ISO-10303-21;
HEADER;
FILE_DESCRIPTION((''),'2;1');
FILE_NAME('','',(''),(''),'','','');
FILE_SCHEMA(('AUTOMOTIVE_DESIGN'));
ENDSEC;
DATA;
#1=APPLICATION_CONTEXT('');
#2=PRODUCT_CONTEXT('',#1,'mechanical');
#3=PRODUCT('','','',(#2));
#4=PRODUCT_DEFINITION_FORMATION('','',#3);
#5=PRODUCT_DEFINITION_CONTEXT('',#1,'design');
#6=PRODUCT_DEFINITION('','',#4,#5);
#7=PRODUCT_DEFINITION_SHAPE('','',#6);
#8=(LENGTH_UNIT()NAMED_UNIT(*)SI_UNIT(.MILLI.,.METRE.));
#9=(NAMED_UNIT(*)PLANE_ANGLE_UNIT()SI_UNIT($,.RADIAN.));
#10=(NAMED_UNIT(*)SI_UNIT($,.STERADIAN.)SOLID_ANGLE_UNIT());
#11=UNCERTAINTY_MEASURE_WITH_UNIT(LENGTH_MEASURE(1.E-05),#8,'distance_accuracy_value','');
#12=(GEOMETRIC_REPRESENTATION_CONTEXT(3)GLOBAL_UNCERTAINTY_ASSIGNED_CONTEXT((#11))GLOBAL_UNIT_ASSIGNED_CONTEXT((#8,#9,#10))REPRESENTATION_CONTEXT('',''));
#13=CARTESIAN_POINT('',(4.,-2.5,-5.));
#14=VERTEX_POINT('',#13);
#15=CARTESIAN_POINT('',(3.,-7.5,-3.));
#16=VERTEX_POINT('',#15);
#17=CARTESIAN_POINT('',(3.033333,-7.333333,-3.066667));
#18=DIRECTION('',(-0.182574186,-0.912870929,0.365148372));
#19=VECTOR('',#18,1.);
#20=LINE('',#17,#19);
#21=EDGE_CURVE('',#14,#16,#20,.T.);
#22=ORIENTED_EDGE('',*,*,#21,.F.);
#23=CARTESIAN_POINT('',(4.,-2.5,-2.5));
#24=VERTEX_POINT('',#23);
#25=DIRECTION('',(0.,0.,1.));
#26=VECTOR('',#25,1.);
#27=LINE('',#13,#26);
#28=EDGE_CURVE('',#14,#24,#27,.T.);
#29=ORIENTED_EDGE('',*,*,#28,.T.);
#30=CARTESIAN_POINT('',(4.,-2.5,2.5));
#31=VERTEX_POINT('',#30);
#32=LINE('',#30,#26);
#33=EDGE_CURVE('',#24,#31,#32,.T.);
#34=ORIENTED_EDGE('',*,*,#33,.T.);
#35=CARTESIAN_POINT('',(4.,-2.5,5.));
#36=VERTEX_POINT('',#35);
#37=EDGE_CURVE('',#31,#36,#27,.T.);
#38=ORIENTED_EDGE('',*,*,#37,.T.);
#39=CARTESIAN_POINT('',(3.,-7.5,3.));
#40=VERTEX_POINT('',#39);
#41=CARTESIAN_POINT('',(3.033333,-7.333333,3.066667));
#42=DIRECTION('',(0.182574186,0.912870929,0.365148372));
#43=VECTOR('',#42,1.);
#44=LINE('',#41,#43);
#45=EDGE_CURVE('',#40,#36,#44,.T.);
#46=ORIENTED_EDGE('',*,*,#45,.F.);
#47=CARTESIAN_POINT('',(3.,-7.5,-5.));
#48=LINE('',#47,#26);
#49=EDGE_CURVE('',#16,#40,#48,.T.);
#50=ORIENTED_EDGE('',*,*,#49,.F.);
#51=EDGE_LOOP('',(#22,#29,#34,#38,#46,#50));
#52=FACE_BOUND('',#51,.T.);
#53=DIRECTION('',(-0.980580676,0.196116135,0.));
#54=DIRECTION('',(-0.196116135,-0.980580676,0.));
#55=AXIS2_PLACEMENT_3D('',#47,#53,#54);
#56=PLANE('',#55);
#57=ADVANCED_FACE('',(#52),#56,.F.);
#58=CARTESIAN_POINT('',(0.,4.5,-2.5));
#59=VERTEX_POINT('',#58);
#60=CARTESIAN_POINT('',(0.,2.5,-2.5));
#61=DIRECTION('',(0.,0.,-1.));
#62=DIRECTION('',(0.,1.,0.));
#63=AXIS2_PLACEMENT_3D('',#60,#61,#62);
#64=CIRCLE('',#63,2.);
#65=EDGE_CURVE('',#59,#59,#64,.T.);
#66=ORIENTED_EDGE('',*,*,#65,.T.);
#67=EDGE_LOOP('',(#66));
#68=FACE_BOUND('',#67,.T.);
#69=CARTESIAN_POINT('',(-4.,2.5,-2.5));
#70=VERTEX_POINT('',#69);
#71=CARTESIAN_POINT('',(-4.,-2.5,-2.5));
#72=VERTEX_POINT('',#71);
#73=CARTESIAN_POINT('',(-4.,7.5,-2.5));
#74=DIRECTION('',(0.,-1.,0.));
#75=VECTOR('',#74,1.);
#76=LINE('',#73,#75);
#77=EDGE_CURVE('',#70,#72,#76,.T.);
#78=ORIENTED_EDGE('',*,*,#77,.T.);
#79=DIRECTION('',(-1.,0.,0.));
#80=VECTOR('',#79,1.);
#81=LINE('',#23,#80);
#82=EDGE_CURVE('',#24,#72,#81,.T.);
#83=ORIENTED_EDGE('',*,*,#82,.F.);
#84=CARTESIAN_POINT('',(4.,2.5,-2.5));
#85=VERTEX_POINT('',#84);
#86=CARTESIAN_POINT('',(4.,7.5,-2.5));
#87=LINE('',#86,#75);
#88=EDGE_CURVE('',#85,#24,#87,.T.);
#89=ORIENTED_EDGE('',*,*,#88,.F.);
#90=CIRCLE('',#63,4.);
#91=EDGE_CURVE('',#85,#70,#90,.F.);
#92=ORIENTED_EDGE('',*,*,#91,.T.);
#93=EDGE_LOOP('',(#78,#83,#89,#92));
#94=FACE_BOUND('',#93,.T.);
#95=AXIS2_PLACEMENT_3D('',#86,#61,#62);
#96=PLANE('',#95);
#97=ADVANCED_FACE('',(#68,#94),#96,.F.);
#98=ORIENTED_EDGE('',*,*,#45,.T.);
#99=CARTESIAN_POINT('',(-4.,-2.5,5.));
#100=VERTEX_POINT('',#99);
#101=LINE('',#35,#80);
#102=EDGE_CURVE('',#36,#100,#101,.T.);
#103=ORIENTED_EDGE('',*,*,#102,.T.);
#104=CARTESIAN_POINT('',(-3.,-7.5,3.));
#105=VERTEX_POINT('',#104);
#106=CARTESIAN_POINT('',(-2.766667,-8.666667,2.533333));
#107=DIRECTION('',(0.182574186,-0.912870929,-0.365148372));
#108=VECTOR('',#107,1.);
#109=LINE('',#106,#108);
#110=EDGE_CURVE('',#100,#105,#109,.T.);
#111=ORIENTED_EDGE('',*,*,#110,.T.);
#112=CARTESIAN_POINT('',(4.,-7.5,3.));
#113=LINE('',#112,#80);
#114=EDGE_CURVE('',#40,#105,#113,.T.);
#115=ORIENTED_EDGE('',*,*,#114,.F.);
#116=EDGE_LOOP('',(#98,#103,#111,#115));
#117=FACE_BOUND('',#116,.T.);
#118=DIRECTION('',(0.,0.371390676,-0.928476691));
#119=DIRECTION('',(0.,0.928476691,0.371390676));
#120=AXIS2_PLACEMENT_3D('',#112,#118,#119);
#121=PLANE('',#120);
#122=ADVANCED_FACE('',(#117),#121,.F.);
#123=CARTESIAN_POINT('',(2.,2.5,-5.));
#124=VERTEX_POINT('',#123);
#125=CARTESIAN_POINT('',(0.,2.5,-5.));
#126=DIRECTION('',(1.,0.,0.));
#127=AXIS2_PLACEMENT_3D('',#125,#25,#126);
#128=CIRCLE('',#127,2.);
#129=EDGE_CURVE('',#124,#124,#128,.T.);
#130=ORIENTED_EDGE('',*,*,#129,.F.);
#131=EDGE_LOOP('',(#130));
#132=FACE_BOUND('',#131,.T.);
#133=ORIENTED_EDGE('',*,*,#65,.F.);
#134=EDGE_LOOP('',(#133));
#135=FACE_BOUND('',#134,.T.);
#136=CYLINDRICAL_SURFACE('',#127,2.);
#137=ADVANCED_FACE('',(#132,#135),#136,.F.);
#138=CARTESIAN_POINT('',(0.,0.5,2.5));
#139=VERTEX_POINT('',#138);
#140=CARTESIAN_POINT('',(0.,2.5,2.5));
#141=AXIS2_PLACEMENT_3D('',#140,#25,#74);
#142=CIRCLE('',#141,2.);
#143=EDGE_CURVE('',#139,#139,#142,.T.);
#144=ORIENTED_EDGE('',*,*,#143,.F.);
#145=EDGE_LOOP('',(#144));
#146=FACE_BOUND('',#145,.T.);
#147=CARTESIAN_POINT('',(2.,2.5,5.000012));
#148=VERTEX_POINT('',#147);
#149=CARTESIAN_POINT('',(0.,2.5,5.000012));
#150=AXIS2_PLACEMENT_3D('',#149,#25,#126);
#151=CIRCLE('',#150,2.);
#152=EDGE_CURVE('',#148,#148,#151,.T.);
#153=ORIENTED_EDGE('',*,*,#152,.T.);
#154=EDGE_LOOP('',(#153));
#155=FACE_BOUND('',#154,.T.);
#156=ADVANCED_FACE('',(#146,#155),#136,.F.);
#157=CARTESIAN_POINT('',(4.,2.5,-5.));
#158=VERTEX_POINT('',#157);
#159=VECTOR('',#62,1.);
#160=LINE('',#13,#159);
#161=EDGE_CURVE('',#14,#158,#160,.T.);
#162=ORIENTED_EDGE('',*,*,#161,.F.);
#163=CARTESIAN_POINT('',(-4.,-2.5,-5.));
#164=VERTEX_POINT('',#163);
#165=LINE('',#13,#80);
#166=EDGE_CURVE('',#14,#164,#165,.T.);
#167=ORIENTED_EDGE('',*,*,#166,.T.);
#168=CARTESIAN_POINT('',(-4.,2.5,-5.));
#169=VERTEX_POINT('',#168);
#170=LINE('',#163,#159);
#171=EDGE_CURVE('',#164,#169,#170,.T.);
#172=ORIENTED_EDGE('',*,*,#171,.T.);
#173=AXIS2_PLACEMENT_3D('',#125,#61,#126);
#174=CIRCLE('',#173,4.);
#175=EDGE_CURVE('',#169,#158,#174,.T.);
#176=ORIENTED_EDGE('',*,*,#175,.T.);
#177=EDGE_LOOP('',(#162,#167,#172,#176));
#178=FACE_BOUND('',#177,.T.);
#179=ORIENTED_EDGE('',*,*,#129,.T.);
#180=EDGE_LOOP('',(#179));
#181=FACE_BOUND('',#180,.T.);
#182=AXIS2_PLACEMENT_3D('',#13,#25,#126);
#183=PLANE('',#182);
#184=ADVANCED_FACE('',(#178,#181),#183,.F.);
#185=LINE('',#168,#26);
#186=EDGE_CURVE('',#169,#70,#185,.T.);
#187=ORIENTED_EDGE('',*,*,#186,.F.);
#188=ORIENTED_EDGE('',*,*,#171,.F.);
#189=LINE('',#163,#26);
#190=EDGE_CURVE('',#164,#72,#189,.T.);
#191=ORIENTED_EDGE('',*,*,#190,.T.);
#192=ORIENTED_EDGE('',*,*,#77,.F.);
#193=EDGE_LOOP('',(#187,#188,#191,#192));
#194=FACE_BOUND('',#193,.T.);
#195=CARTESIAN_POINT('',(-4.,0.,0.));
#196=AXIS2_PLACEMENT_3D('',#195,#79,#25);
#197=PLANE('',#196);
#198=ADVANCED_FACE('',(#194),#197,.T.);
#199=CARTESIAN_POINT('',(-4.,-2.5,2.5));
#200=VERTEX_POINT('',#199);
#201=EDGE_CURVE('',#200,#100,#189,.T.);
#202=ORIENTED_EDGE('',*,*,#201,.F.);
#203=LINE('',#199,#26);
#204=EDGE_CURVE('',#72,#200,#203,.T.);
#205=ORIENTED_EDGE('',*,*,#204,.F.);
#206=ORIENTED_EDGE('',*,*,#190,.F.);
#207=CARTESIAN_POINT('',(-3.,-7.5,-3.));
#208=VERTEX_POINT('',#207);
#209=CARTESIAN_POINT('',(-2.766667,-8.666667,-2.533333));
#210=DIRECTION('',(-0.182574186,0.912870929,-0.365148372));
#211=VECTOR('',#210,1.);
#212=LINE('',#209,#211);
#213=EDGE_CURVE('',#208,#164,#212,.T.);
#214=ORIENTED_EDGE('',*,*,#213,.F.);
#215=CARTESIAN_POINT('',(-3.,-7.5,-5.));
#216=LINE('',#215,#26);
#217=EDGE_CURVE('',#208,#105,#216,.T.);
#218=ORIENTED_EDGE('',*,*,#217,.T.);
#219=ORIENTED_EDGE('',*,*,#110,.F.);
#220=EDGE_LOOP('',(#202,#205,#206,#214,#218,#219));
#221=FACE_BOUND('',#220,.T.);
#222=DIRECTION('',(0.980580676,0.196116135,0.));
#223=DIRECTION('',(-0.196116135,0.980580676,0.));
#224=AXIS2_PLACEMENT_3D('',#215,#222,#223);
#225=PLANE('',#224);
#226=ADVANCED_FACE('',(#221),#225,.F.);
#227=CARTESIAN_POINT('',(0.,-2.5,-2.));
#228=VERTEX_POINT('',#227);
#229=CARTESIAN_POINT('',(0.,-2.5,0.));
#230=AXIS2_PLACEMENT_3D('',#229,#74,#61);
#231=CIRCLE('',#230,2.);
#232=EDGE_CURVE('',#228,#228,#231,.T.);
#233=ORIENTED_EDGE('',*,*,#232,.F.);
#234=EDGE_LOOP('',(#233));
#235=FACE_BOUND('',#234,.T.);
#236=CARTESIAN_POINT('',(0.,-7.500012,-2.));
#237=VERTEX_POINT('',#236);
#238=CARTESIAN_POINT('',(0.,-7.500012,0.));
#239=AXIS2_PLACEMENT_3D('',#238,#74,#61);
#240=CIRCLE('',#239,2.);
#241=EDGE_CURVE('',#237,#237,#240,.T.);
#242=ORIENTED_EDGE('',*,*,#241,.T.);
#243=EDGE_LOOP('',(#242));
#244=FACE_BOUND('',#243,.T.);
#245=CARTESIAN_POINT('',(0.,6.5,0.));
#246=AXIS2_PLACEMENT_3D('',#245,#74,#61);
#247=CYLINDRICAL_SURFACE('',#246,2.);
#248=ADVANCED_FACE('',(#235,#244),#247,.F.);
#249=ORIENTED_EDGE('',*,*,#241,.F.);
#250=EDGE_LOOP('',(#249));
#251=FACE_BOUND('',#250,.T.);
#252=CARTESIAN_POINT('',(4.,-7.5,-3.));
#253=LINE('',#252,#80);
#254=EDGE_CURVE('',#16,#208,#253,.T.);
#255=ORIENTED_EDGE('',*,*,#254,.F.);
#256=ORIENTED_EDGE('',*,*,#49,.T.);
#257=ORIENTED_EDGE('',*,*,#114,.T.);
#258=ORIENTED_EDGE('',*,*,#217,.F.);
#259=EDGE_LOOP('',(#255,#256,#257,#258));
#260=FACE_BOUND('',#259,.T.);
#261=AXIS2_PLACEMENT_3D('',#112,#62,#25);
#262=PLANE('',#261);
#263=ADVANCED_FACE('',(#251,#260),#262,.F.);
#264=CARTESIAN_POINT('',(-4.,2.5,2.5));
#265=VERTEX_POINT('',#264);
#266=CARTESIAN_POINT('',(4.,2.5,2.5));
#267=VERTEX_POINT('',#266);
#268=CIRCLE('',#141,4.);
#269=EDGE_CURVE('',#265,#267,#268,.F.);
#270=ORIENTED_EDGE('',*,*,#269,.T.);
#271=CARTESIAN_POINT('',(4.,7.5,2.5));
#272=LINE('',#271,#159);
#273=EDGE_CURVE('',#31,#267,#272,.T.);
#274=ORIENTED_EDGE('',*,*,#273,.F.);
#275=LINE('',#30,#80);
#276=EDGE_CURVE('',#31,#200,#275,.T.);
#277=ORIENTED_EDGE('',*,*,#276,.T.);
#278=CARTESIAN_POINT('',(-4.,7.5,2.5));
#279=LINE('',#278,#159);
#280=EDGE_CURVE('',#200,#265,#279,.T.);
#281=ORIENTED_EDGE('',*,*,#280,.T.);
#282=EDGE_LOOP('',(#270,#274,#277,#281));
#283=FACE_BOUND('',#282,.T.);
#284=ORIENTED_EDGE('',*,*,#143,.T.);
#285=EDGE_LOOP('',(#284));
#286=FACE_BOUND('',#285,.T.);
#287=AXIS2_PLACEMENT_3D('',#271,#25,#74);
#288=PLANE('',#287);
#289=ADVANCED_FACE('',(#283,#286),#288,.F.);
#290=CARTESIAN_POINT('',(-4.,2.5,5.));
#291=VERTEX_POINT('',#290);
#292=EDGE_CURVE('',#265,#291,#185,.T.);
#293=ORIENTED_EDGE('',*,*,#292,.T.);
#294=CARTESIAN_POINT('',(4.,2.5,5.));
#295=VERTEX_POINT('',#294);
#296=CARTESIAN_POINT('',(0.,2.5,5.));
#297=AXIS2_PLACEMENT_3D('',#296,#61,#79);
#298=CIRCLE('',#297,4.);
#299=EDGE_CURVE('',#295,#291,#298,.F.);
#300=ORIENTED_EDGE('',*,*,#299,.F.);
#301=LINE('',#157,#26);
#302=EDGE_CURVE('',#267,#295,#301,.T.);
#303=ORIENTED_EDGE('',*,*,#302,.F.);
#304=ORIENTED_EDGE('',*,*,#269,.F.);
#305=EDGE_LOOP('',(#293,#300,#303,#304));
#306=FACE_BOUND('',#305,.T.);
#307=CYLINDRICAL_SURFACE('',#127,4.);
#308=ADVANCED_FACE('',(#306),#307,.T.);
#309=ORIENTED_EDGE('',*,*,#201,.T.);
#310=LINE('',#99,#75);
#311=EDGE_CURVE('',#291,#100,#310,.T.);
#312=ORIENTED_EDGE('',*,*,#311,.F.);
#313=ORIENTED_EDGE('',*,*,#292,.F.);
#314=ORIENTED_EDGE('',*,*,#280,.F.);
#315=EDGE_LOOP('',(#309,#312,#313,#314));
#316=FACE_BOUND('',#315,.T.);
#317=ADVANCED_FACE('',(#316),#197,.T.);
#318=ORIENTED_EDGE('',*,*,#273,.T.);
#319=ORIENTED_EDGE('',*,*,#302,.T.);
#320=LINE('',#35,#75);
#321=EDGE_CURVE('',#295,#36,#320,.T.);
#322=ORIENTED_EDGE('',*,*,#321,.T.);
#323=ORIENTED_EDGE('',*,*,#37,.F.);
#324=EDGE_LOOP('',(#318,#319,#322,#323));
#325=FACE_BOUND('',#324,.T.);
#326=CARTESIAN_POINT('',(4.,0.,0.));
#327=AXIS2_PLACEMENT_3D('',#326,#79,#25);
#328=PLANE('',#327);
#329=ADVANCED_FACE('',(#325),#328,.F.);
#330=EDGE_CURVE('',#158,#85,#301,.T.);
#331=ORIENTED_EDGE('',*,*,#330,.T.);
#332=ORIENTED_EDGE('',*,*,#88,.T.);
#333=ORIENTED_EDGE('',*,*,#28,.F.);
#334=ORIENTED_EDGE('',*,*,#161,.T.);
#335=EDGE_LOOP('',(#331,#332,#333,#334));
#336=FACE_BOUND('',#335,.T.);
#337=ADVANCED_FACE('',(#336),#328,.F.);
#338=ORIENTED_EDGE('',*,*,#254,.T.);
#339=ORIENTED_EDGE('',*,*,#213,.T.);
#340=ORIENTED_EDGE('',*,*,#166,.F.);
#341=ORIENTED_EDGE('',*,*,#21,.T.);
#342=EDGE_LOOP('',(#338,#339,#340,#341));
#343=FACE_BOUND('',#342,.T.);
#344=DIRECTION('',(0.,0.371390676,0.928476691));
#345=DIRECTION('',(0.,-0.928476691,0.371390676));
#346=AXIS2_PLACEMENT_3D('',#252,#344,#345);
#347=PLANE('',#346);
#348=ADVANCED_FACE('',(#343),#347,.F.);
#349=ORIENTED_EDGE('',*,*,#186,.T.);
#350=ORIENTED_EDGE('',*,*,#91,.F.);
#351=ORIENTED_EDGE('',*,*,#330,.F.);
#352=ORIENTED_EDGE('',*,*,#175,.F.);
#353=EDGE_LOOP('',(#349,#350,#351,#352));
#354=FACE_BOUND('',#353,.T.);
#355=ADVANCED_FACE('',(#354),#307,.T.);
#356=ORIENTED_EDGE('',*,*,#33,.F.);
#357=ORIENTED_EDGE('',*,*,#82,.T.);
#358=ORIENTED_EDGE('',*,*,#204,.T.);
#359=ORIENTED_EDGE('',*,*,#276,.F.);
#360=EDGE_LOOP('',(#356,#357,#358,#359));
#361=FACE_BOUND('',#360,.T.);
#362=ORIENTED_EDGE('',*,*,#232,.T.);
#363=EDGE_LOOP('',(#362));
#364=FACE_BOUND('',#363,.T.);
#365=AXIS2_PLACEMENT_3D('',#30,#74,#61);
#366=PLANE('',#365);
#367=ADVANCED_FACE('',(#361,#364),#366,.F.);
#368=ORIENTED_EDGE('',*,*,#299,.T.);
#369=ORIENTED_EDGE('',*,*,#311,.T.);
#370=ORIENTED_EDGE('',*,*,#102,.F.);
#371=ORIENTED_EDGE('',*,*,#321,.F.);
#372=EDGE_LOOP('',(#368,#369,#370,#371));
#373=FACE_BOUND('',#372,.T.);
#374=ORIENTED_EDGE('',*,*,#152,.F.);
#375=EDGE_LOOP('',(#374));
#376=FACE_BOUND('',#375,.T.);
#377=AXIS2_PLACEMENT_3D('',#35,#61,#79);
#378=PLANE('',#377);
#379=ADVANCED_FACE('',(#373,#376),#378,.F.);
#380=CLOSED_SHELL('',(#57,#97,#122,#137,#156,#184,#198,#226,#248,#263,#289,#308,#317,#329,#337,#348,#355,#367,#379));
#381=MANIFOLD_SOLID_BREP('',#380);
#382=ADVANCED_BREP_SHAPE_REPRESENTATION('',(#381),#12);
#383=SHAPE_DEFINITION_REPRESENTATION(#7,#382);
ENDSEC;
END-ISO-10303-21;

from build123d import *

# Parameters (mm, degrees)
BOSS_EXTRUDE1_DEPTH     = 4
CUT_EXTRUDE1_DEPTH      = 14.124404748
CUT_EXTRUDE1_DEPTH_BACK = 14.124404748
SKETCH2_R               = 2
CUT_EXTRUDE2_DEPTH      = 14.124404748
CUT_EXTRUDE2_DEPTH_BACK = 14.124404748
CUT_EXTRUDE3_DEPTH      = 10.861541462
CUT_EXTRUDE3_DEPTH_BACK = 10.861541462
CUT_EXTRUDE4_DEPTH      = 16.394804318
CUT_EXTRUDE4_DEPTH_BACK = 16.394804318
SKETCH8_R               = 2


with BuildPart() as part:
    # Sketch1 → Boss-Extrude1 (new, symmetric)
    with BuildSketch(Plane(origin=(0, 0, 0), x_dir=(0, 0, -1), z_dir=(1, 0, 0))):
        Polygon((2.5, 7.5), (5, 7.5), (5, -2.5), (3, -7.5), (-3, -7.5), (-5, -2.5), (-5, 7.5), (-2.5, 7.5), (-2.5, -2.5), (2.5, -2.5), align=None)
    extrude(amount=BOSS_EXTRUDE1_DEPTH, both=True)

    # Sketch2 → Cut-Extrude1 (cut, two sides: drawn at the far end of the back side and taken through both)
    with BuildSketch(Plane.XY.offset(5).offset(-CUT_EXTRUDE1_DEPTH_BACK)):
        with Locations((0, 2.5)):
            Circle(SKETCH2_R)
    extrude(amount=CUT_EXTRUDE1_DEPTH + CUT_EXTRUDE1_DEPTH_BACK, mode=Mode.SUBTRACT)

    # Sketch3 → Cut-Extrude2 (cut, two sides: drawn at the far end of the back side and taken through both)
    with BuildSketch(Plane.XY.offset(5).offset(-CUT_EXTRUDE2_DEPTH_BACK)):
        with BuildLine():
            Line((-4, 2.5), (-4, 7.5))
            Line((-4, 7.5), (4, 7.5))
            Line((4, 7.5), (4, 2.5))
            ThreePointArc((4, 2.5), (0, 6.5), (-4, 2.5))
        make_face()
    extrude(amount=CUT_EXTRUDE2_DEPTH + CUT_EXTRUDE2_DEPTH_BACK, mode=Mode.SUBTRACT)

    # Sketch5 → Cut-Extrude3 (cut, two sides: drawn at the far end of the back side and taken through both)
    with BuildSketch(Plane.XY.offset(-CUT_EXTRUDE3_DEPTH_BACK)):
        Polygon((-4, -2.5), (-4, -7.5), (-3, -7.5), align=None)
        Polygon((3, -7.5), (4, -2.5), (4, -7.5), align=None)
    extrude(amount=CUT_EXTRUDE3_DEPTH + CUT_EXTRUDE3_DEPTH_BACK, mode=Mode.SUBTRACT)

    # Sketch8 → Cut-Extrude4 (cut, two sides: drawn at the far end of the back side and taken through both)
    with BuildSketch(Plane.XZ.offset(7.5).offset(-CUT_EXTRUDE4_DEPTH_BACK)):
        with Locations(Location((0, 0, 0), (0, 0, 270))):
            Circle(SKETCH8_R)
    extrude(amount=CUT_EXTRUDE4_DEPTH + CUT_EXTRUDE4_DEPTH_BACK, mode=Mode.SUBTRACT)


solid = part.part
